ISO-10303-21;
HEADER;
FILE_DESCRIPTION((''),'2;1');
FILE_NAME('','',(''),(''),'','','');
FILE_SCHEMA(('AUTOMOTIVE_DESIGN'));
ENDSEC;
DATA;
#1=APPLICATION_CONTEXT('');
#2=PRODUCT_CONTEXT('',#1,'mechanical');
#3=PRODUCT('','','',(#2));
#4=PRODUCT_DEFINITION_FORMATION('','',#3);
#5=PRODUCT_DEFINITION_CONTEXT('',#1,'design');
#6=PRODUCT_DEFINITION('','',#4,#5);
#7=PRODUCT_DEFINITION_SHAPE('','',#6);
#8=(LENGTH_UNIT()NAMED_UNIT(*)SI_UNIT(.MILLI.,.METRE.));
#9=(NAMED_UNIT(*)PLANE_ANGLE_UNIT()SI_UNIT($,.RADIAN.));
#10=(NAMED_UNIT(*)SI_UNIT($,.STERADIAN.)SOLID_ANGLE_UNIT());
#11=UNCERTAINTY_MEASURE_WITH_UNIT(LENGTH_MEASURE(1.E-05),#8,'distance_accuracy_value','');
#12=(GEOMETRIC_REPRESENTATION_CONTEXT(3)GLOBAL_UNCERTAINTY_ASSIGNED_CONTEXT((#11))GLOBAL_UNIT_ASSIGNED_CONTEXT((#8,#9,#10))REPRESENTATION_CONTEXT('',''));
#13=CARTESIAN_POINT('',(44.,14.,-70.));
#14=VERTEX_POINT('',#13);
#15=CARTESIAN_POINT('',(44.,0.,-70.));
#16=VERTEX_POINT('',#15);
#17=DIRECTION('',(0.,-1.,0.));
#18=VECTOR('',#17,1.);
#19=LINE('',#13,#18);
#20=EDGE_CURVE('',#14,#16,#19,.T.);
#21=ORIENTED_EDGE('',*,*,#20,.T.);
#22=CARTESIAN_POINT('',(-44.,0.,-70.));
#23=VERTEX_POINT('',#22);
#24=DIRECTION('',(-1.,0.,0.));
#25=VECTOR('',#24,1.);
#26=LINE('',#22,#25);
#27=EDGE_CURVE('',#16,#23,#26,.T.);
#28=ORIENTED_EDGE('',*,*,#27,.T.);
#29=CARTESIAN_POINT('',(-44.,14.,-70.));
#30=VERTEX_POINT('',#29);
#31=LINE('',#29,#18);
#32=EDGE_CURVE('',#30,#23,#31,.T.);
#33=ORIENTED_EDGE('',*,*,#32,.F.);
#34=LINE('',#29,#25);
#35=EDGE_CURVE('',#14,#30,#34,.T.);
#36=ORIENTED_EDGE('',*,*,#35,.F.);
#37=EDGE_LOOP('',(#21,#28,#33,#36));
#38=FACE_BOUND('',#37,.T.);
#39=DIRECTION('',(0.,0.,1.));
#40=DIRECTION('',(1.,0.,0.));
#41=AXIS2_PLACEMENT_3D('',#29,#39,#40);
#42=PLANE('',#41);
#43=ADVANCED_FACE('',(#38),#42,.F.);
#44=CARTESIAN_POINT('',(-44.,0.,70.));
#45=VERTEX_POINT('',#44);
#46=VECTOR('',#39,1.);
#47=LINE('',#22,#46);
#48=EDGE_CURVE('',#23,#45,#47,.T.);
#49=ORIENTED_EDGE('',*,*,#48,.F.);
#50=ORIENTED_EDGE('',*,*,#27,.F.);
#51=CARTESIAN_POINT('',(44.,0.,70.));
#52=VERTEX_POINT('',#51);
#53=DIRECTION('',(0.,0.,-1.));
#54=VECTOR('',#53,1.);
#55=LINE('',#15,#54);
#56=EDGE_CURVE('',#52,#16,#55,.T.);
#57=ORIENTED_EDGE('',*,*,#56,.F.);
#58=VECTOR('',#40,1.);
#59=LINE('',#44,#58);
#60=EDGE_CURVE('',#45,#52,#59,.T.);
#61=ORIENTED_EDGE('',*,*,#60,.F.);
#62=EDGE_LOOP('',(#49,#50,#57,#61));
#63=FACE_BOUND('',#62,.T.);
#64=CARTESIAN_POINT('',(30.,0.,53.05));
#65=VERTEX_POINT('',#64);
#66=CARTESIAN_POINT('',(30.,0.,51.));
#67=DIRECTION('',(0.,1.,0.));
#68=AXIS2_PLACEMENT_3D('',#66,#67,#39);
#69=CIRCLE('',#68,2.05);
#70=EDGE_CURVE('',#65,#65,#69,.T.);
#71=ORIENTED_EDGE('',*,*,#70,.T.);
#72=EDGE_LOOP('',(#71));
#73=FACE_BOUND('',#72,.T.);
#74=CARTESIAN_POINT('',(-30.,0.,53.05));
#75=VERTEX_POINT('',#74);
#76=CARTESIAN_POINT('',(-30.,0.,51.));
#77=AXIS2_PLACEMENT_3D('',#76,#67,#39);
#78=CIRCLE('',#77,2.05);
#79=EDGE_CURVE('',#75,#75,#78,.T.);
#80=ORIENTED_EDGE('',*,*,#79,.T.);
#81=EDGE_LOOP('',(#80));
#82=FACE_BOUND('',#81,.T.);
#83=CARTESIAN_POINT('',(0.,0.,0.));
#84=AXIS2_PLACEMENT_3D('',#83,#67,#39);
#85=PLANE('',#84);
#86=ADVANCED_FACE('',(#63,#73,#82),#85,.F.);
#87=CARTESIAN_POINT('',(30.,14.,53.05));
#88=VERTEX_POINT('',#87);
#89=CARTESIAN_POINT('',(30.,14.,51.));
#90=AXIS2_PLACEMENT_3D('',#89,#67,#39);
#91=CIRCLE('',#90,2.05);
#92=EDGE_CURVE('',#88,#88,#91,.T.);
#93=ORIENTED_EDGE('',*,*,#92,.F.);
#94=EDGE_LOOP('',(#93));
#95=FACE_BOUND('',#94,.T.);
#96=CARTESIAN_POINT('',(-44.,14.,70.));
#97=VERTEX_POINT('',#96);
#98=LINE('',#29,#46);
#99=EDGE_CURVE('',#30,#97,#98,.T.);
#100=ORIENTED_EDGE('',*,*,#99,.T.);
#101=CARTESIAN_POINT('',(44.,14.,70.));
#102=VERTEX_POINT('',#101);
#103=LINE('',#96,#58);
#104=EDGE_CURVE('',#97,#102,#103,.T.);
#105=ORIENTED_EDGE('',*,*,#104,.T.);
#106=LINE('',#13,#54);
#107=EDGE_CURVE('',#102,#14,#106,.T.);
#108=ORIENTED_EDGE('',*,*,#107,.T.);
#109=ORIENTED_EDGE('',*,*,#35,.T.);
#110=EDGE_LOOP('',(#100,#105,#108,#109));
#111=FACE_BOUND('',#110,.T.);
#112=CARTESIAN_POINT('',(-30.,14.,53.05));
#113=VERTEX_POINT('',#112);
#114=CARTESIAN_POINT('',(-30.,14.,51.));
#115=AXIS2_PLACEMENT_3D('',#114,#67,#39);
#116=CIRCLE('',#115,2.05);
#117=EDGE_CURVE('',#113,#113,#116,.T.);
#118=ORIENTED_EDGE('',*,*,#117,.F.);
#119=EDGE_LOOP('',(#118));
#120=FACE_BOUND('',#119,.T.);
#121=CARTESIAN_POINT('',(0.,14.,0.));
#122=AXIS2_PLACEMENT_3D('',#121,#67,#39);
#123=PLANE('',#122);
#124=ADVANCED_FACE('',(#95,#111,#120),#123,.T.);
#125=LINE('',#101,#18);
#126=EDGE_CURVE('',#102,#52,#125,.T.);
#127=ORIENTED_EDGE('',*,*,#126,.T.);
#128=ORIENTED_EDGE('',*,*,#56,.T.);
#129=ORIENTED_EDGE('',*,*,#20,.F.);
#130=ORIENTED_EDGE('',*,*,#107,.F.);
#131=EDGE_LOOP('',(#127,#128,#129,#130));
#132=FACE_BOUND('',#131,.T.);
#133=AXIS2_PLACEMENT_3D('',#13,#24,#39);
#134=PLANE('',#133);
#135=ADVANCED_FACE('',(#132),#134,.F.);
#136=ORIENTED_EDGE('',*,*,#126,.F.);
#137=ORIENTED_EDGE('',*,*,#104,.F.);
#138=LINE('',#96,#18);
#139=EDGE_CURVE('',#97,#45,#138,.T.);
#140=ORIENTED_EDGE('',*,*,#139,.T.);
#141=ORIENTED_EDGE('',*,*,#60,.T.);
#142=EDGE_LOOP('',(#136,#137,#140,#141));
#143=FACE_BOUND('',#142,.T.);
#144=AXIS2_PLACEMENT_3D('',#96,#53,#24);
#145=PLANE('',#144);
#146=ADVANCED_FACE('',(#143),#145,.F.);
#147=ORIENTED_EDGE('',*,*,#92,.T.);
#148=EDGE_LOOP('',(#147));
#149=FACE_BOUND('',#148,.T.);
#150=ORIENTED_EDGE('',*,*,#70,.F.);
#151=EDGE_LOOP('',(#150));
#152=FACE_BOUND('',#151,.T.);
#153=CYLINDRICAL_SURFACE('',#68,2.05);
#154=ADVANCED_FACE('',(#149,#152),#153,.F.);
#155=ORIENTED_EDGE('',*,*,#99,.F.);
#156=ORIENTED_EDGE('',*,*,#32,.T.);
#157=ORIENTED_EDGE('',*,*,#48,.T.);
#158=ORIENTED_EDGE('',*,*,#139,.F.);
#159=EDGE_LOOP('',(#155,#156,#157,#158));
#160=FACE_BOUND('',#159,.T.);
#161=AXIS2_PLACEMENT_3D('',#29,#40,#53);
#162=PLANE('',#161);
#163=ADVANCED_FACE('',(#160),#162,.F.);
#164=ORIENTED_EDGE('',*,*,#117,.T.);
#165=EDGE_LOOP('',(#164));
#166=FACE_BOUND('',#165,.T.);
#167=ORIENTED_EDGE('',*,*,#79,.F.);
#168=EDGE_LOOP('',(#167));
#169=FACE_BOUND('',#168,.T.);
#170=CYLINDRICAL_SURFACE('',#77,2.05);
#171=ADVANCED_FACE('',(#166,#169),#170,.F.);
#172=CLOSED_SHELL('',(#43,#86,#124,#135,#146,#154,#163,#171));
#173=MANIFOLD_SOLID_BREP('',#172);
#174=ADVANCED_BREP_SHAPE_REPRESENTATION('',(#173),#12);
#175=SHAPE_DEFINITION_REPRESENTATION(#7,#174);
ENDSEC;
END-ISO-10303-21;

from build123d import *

# Parameters (mm, degrees)
SKETCH1_W           = 88
SKETCH1_H           = 140
BOSS_EXTRUDE1_DEPTH = 14
SKETCH2_R           = 2.05
CUT_EXTRUDE1_DEPTH  = 14


with BuildPart() as part:
    # Sketch1 → Boss-Extrude1 (new body)
    with BuildSketch(Plane(origin=(0, 0, 0), x_dir=(1, 0, 0), z_dir=(0, 1, 0))):
        Rectangle(SKETCH1_W, SKETCH1_H)
    extrude(amount=BOSS_EXTRUDE1_DEPTH)

    # Sketch2 → Cut-Extrude1 (cut)
    with BuildSketch(Plane(origin=(0, 14, 0), x_dir=(1, 0, 0), z_dir=(0, 1, 0))):
        with Locations((-30, -51)):
            Circle(SKETCH2_R)
        with Locations((30, -51)):
            Circle(SKETCH2_R)
    extrude(amount=-CUT_EXTRUDE1_DEPTH, mode=Mode.SUBTRACT)


solid = part.part
